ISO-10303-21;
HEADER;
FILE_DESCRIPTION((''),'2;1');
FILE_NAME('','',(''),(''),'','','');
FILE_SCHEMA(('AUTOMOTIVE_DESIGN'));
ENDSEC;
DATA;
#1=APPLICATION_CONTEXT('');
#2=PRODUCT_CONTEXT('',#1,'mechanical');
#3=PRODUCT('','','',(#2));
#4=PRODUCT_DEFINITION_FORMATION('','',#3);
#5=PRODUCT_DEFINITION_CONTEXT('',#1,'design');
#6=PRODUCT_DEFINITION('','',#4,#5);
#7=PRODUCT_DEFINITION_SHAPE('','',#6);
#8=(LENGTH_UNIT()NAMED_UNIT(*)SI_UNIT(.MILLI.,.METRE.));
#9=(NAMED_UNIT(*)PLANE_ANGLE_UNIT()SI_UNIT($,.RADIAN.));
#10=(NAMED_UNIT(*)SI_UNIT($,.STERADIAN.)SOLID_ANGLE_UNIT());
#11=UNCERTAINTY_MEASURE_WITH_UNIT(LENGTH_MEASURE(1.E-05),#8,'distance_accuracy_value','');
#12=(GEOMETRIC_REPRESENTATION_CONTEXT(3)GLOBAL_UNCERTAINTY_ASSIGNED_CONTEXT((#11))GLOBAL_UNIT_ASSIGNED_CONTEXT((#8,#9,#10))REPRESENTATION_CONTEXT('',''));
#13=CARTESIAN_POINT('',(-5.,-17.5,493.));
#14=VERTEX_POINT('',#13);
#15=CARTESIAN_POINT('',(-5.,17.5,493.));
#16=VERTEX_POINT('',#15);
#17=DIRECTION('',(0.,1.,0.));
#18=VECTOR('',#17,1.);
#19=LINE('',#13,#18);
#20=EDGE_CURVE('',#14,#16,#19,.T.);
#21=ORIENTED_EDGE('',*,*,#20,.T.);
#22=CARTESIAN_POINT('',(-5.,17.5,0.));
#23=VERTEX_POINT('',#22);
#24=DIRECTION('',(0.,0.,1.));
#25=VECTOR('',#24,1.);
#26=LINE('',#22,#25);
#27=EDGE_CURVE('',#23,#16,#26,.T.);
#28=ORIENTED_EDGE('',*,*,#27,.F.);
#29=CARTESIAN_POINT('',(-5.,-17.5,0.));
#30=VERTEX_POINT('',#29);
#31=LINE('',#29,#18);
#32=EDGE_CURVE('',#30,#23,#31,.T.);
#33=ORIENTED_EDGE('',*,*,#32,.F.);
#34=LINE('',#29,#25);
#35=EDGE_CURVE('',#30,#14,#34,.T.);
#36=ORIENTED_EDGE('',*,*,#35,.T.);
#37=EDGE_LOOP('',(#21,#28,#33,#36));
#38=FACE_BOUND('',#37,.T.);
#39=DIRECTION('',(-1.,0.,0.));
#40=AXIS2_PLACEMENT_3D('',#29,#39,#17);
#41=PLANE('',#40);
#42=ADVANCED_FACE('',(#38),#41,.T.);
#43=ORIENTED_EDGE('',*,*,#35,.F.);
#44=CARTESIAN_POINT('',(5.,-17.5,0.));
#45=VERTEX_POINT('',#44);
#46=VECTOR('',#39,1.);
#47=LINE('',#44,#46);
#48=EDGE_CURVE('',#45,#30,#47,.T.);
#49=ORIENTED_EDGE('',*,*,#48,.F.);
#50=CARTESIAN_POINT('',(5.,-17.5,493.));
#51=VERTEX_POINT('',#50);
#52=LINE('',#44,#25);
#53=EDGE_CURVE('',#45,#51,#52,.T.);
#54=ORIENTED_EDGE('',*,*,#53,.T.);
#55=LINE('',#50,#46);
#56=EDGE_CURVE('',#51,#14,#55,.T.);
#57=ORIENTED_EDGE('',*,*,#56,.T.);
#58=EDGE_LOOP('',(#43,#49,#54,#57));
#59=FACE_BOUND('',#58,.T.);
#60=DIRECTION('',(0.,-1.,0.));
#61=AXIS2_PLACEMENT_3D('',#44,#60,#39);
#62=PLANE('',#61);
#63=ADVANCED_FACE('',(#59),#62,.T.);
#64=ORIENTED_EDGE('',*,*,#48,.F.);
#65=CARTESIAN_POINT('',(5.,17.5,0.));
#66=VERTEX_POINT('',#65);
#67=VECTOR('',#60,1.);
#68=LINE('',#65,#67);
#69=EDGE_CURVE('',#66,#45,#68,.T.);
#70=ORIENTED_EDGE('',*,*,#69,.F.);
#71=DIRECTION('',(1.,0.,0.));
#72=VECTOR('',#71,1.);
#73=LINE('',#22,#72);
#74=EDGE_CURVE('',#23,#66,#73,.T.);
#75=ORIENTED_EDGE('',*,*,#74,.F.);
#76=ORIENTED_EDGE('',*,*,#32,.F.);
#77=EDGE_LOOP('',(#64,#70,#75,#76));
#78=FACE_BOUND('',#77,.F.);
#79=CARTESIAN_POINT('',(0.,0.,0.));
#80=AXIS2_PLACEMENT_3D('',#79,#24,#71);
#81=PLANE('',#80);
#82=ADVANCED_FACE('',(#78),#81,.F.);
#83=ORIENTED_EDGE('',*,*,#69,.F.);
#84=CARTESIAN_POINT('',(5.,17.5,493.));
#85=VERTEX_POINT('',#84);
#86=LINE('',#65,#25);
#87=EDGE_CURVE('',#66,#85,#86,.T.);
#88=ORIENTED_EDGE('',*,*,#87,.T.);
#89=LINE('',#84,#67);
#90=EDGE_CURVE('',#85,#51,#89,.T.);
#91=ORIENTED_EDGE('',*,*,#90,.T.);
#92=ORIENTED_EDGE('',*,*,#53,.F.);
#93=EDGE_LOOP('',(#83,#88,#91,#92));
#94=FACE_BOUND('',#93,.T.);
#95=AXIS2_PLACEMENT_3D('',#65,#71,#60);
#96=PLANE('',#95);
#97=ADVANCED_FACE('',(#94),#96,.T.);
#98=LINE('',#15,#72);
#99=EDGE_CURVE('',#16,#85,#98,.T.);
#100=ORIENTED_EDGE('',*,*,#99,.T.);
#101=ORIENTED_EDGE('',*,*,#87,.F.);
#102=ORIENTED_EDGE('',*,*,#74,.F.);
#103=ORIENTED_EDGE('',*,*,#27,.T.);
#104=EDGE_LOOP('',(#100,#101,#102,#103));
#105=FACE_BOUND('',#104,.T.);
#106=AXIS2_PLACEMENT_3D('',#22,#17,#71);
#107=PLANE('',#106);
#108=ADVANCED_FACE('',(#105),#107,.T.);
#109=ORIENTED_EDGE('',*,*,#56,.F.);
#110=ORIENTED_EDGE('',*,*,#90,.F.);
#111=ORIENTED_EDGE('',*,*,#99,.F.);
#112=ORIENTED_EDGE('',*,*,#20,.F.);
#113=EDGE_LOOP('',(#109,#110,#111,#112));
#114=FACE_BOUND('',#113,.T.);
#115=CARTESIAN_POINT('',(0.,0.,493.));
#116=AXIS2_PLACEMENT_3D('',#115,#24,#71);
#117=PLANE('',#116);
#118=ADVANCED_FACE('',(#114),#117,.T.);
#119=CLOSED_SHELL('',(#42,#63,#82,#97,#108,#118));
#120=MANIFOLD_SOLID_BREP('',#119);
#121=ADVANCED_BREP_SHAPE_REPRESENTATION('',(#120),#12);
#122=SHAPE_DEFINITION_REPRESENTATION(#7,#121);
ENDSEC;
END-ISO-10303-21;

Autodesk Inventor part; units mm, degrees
ref_plane "YZ Plane" through (0, 0, 0) normal (1, 0, 0) x (0, 1, 0)
ref_plane "Startebene" through (0, 0, 0) normal (0, 0, 1) x (1, 0, 0)
ref_plane "Endebene" through (0, 0, 493) normal (0, 0, 1) x (1, 0, 0)
sketch "Skizze" plane through (0, 0, 0) normal (0, 0, 1) x (1, 0, 0)
  line L0 (5, -17.5) -> (-5, -17.5)
  line L1 (-5, -17.5) -> (-5, 17.5)
  line L2 (-5, 17.5) -> (5, 17.5)
  line L3 (5, 17.5) -> (5, -17.5)
  line L4 (-6, 0) -> (8, 0) construction
  line L5 (0, -30) -> (0, 40) construction
  line L6 (0, 54) -> (0, -44) construction
  line L7 (-9.2, 0) -> (13.2, 0) construction
  dimension "d0" = 35
  dimension "d1" = 10
  dimension "d4" = 5
  dimension "d5" = 17.5
extrude "Körper" add sketch "Skizze" along normal up to surface (493 mm away) from surface at 0
sketch "Sketch3" plane through (0, 0, 0) normal (0, 0, 1) x (1, 0, 0)
  line L0 (0, 0) -> (10, 0)
ref_plane "Work Plane3" through (0, 0, 0) normal (0, -1, 0) x (1, 0, 0)
sketch "Sketch4" plane through (0, 0, 0) normal (0, -1, 0) x (1, 0, 0)
  line L0 (-2, 0) -> (12, 0)
  line L1 (-2, 493) -> (12, 493)
  dimension "d9" = 493
equation "\"d0\" = G_W"
equation "\"d1\" = G_H"
equation "\"d4\" = 0.5 * d1"
equation "\"d5\" = 0.5 * d0"
equation "\"d2\" = G_L"
equation "\"G_W\" = 35"
equation "\"G_H\" = 10"
equation "\"G_L\" = d9"
equation "\"G_OFFSET_START\" = 0"
equation "\"G_OFFSET_END\" = 0"
equation "\"d7\" = G_OFFSET_END + B_L"
equation "\"B_L\" = 493"
properties part number "EN 10058 - 35 x 10 - 493" material "Stahl, weich"
